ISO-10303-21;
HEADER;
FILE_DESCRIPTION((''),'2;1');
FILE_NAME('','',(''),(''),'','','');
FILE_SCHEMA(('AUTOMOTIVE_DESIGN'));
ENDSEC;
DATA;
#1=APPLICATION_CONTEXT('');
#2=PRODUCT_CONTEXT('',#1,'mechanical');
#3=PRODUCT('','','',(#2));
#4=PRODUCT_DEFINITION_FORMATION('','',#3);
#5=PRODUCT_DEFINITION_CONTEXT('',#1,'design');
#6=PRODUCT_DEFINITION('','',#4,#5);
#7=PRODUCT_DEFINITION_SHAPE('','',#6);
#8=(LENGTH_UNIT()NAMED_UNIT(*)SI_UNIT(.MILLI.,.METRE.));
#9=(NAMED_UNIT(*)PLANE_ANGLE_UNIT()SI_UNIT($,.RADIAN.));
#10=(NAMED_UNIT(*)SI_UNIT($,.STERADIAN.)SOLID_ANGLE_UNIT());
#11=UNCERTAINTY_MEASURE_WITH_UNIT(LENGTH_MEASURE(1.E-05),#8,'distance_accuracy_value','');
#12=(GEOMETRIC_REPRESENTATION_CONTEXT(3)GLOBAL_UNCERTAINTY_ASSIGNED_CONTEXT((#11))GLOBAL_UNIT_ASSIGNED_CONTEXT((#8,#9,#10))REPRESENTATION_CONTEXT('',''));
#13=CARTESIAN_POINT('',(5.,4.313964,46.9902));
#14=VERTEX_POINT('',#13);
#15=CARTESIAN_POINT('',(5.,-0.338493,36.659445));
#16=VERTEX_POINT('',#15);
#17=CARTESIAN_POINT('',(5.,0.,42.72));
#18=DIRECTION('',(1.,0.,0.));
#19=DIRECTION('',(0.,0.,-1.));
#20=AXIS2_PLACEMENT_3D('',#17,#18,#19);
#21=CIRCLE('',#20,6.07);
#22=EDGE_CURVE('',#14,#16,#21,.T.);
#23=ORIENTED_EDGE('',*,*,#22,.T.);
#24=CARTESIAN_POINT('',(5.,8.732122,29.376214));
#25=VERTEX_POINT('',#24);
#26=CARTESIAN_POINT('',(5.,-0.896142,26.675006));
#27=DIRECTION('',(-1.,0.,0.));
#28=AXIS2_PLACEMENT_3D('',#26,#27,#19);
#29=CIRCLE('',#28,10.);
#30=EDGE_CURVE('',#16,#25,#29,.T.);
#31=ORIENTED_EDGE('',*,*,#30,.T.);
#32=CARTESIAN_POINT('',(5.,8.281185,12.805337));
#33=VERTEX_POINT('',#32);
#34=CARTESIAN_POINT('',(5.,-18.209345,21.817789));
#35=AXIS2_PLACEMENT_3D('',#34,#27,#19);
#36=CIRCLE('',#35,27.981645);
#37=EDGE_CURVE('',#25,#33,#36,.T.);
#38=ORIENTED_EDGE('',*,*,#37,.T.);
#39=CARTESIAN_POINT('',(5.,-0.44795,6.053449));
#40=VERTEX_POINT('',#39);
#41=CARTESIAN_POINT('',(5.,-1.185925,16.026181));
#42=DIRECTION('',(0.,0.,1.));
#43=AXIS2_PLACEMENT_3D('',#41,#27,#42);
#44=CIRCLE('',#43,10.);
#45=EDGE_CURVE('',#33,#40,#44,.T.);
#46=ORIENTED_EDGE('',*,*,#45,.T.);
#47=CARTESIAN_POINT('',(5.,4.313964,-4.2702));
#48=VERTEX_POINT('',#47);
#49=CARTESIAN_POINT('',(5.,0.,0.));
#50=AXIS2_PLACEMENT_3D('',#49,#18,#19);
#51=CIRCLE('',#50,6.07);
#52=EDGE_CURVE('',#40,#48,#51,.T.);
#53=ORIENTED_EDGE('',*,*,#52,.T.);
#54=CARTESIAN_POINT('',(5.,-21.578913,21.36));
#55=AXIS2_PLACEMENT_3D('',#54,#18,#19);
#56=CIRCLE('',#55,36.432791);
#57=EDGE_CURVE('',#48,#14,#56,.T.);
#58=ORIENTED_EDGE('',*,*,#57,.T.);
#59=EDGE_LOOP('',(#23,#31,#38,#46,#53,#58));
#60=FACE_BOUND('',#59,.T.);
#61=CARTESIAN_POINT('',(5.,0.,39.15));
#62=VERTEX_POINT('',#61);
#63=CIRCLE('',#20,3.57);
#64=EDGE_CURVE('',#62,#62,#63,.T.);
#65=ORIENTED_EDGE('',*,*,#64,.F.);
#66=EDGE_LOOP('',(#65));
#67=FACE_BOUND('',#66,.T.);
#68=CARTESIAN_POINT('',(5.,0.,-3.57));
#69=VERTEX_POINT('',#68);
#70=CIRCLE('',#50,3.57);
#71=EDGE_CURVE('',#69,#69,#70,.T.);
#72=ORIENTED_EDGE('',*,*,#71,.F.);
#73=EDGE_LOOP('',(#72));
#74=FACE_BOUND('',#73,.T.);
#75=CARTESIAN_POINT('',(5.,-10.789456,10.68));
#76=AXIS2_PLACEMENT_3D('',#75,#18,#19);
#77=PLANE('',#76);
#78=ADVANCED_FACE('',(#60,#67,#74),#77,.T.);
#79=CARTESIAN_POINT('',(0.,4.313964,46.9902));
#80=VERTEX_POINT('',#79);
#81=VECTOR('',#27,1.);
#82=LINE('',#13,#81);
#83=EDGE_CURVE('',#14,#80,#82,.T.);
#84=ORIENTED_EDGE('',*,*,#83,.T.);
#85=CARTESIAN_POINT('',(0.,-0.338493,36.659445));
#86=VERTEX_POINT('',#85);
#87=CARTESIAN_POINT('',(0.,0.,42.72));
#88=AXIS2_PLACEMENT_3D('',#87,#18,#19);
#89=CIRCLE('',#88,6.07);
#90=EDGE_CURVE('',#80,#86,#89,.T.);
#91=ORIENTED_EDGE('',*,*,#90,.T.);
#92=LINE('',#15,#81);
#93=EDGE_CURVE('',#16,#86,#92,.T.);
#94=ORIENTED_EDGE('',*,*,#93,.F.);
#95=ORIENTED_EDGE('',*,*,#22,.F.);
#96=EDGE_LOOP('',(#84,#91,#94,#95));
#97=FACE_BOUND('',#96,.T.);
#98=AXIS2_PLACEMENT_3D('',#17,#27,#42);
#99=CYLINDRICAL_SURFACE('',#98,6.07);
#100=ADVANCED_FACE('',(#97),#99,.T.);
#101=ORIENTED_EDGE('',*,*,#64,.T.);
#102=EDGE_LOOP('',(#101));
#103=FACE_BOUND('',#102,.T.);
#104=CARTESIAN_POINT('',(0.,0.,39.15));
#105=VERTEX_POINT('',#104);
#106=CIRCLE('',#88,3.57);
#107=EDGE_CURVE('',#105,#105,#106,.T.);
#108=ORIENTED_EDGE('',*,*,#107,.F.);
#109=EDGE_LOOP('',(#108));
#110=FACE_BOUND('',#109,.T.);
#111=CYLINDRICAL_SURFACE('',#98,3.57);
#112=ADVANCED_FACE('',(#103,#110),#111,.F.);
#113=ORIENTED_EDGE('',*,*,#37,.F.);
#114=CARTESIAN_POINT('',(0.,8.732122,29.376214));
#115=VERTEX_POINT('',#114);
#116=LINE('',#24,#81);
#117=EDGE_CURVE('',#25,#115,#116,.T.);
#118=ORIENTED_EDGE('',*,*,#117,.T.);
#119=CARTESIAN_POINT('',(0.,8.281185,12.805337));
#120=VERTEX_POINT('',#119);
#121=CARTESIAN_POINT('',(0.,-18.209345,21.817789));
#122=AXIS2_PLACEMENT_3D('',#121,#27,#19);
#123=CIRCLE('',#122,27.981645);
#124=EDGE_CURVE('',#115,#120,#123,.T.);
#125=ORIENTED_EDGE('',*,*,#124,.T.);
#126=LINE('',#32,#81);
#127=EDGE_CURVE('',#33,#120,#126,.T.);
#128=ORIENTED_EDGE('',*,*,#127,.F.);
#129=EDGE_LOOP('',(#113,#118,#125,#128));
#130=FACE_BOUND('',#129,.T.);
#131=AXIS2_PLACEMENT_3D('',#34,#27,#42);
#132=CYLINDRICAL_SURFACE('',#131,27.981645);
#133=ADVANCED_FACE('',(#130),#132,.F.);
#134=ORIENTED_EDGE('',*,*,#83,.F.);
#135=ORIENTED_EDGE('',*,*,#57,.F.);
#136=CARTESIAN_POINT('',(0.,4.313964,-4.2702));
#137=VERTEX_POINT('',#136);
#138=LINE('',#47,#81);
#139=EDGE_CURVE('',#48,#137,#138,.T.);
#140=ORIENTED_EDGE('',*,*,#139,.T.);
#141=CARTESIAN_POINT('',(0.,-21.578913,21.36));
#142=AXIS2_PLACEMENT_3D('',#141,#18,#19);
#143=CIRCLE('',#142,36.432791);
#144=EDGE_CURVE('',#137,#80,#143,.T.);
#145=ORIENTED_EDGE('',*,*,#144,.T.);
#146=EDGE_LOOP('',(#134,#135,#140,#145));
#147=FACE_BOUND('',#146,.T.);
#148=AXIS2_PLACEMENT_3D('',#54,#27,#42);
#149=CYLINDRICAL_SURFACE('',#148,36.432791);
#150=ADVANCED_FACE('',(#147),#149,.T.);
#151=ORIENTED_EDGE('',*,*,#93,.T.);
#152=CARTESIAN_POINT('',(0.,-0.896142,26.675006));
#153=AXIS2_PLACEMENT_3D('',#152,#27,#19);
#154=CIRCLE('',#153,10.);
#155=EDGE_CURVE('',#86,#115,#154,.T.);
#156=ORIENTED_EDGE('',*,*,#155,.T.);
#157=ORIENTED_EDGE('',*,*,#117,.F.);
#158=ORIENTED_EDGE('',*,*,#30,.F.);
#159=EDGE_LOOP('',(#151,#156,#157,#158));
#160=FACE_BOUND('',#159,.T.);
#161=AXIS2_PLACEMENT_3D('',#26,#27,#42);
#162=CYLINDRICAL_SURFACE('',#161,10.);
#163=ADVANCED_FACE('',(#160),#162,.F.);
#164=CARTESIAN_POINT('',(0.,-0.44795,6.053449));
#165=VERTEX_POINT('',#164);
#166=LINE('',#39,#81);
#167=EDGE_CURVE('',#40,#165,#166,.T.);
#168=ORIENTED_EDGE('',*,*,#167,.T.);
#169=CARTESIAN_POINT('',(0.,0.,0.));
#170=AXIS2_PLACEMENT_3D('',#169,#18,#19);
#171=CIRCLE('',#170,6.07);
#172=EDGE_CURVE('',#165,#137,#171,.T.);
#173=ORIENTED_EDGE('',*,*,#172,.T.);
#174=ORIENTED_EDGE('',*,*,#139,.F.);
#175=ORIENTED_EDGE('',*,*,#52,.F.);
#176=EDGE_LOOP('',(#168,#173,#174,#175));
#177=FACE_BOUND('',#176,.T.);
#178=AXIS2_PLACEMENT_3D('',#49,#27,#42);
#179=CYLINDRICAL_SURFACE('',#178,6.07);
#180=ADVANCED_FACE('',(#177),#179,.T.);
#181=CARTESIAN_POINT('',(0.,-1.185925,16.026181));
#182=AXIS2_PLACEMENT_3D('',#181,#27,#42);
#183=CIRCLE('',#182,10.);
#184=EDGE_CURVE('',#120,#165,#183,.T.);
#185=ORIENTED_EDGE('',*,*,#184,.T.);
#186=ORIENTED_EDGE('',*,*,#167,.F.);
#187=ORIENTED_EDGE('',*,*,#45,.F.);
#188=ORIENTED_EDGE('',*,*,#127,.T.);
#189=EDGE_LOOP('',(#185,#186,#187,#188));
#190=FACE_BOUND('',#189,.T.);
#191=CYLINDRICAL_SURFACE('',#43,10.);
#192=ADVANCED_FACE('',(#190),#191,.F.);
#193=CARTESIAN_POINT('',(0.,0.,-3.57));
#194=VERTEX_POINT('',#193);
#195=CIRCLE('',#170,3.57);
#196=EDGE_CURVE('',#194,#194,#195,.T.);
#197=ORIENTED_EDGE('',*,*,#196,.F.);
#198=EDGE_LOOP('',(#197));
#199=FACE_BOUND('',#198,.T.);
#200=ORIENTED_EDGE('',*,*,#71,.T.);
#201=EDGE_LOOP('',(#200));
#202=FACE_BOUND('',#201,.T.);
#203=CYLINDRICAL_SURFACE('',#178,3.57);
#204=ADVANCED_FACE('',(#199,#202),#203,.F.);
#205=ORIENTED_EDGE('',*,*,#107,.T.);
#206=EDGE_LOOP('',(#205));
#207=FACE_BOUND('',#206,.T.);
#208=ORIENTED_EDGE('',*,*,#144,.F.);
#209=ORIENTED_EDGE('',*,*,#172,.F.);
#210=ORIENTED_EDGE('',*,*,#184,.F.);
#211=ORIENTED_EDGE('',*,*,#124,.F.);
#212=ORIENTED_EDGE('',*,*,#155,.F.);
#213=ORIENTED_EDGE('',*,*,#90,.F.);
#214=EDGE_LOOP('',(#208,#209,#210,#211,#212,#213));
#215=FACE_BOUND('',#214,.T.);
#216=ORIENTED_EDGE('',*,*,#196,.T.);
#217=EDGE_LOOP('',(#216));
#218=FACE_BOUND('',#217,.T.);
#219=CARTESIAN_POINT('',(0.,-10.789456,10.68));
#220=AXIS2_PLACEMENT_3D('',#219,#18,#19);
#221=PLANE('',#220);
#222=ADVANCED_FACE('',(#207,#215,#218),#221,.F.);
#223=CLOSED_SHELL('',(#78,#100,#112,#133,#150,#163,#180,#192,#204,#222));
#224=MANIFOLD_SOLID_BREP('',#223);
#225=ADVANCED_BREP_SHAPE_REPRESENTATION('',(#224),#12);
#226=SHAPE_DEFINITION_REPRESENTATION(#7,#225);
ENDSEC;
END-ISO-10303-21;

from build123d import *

# Parameters (mm, degrees)
SKETCH1_R           = 3.57
BOSS_EXTRUDE1_DEPTH = 5


with BuildPart() as part:
    # Sketch1 → Boss-Extrude1 (new body)
    with BuildSketch(Plane(origin=(0, 0, 0), x_dir=(0, 0, -1), z_dir=(1, 0, 0))):
        with BuildLine():
            ThreePointArc((4.27020031, 4.313964454), (-21.36, 14.853878163), (-46.99020031, 4.313964454))
            ThreePointArc((-46.99020031, 4.313964454), (-45.212525236, -5.534638014), (-36.65944536, -0.338492916))
            ThreePointArc((-36.65944536, -0.338492916), (-34.472469129, 5.364814131), (-29.3762145, 8.732122411))
            ThreePointArc((-29.3762145, 8.732122411), (-21.056615852, 9.761945239), (-12.805336851, 8.281184769))
            ThreePointArc((-12.805336851, 8.281184769), (-8.116246419, 4.932321146), (-6.05344864, -0.447950405))
            ThreePointArc((-6.05344864, -0.447950405), (2.54243032, -5.511891514), (4.27020031, 4.313964454))
        make_face()
        Circle(SKETCH1_R, mode=Mode.SUBTRACT)
        with Locations((-42.72, 0)):
            Circle(SKETCH1_R, mode=Mode.SUBTRACT)
    extrude(amount=BOSS_EXTRUDE1_DEPTH)


solid = part.part
